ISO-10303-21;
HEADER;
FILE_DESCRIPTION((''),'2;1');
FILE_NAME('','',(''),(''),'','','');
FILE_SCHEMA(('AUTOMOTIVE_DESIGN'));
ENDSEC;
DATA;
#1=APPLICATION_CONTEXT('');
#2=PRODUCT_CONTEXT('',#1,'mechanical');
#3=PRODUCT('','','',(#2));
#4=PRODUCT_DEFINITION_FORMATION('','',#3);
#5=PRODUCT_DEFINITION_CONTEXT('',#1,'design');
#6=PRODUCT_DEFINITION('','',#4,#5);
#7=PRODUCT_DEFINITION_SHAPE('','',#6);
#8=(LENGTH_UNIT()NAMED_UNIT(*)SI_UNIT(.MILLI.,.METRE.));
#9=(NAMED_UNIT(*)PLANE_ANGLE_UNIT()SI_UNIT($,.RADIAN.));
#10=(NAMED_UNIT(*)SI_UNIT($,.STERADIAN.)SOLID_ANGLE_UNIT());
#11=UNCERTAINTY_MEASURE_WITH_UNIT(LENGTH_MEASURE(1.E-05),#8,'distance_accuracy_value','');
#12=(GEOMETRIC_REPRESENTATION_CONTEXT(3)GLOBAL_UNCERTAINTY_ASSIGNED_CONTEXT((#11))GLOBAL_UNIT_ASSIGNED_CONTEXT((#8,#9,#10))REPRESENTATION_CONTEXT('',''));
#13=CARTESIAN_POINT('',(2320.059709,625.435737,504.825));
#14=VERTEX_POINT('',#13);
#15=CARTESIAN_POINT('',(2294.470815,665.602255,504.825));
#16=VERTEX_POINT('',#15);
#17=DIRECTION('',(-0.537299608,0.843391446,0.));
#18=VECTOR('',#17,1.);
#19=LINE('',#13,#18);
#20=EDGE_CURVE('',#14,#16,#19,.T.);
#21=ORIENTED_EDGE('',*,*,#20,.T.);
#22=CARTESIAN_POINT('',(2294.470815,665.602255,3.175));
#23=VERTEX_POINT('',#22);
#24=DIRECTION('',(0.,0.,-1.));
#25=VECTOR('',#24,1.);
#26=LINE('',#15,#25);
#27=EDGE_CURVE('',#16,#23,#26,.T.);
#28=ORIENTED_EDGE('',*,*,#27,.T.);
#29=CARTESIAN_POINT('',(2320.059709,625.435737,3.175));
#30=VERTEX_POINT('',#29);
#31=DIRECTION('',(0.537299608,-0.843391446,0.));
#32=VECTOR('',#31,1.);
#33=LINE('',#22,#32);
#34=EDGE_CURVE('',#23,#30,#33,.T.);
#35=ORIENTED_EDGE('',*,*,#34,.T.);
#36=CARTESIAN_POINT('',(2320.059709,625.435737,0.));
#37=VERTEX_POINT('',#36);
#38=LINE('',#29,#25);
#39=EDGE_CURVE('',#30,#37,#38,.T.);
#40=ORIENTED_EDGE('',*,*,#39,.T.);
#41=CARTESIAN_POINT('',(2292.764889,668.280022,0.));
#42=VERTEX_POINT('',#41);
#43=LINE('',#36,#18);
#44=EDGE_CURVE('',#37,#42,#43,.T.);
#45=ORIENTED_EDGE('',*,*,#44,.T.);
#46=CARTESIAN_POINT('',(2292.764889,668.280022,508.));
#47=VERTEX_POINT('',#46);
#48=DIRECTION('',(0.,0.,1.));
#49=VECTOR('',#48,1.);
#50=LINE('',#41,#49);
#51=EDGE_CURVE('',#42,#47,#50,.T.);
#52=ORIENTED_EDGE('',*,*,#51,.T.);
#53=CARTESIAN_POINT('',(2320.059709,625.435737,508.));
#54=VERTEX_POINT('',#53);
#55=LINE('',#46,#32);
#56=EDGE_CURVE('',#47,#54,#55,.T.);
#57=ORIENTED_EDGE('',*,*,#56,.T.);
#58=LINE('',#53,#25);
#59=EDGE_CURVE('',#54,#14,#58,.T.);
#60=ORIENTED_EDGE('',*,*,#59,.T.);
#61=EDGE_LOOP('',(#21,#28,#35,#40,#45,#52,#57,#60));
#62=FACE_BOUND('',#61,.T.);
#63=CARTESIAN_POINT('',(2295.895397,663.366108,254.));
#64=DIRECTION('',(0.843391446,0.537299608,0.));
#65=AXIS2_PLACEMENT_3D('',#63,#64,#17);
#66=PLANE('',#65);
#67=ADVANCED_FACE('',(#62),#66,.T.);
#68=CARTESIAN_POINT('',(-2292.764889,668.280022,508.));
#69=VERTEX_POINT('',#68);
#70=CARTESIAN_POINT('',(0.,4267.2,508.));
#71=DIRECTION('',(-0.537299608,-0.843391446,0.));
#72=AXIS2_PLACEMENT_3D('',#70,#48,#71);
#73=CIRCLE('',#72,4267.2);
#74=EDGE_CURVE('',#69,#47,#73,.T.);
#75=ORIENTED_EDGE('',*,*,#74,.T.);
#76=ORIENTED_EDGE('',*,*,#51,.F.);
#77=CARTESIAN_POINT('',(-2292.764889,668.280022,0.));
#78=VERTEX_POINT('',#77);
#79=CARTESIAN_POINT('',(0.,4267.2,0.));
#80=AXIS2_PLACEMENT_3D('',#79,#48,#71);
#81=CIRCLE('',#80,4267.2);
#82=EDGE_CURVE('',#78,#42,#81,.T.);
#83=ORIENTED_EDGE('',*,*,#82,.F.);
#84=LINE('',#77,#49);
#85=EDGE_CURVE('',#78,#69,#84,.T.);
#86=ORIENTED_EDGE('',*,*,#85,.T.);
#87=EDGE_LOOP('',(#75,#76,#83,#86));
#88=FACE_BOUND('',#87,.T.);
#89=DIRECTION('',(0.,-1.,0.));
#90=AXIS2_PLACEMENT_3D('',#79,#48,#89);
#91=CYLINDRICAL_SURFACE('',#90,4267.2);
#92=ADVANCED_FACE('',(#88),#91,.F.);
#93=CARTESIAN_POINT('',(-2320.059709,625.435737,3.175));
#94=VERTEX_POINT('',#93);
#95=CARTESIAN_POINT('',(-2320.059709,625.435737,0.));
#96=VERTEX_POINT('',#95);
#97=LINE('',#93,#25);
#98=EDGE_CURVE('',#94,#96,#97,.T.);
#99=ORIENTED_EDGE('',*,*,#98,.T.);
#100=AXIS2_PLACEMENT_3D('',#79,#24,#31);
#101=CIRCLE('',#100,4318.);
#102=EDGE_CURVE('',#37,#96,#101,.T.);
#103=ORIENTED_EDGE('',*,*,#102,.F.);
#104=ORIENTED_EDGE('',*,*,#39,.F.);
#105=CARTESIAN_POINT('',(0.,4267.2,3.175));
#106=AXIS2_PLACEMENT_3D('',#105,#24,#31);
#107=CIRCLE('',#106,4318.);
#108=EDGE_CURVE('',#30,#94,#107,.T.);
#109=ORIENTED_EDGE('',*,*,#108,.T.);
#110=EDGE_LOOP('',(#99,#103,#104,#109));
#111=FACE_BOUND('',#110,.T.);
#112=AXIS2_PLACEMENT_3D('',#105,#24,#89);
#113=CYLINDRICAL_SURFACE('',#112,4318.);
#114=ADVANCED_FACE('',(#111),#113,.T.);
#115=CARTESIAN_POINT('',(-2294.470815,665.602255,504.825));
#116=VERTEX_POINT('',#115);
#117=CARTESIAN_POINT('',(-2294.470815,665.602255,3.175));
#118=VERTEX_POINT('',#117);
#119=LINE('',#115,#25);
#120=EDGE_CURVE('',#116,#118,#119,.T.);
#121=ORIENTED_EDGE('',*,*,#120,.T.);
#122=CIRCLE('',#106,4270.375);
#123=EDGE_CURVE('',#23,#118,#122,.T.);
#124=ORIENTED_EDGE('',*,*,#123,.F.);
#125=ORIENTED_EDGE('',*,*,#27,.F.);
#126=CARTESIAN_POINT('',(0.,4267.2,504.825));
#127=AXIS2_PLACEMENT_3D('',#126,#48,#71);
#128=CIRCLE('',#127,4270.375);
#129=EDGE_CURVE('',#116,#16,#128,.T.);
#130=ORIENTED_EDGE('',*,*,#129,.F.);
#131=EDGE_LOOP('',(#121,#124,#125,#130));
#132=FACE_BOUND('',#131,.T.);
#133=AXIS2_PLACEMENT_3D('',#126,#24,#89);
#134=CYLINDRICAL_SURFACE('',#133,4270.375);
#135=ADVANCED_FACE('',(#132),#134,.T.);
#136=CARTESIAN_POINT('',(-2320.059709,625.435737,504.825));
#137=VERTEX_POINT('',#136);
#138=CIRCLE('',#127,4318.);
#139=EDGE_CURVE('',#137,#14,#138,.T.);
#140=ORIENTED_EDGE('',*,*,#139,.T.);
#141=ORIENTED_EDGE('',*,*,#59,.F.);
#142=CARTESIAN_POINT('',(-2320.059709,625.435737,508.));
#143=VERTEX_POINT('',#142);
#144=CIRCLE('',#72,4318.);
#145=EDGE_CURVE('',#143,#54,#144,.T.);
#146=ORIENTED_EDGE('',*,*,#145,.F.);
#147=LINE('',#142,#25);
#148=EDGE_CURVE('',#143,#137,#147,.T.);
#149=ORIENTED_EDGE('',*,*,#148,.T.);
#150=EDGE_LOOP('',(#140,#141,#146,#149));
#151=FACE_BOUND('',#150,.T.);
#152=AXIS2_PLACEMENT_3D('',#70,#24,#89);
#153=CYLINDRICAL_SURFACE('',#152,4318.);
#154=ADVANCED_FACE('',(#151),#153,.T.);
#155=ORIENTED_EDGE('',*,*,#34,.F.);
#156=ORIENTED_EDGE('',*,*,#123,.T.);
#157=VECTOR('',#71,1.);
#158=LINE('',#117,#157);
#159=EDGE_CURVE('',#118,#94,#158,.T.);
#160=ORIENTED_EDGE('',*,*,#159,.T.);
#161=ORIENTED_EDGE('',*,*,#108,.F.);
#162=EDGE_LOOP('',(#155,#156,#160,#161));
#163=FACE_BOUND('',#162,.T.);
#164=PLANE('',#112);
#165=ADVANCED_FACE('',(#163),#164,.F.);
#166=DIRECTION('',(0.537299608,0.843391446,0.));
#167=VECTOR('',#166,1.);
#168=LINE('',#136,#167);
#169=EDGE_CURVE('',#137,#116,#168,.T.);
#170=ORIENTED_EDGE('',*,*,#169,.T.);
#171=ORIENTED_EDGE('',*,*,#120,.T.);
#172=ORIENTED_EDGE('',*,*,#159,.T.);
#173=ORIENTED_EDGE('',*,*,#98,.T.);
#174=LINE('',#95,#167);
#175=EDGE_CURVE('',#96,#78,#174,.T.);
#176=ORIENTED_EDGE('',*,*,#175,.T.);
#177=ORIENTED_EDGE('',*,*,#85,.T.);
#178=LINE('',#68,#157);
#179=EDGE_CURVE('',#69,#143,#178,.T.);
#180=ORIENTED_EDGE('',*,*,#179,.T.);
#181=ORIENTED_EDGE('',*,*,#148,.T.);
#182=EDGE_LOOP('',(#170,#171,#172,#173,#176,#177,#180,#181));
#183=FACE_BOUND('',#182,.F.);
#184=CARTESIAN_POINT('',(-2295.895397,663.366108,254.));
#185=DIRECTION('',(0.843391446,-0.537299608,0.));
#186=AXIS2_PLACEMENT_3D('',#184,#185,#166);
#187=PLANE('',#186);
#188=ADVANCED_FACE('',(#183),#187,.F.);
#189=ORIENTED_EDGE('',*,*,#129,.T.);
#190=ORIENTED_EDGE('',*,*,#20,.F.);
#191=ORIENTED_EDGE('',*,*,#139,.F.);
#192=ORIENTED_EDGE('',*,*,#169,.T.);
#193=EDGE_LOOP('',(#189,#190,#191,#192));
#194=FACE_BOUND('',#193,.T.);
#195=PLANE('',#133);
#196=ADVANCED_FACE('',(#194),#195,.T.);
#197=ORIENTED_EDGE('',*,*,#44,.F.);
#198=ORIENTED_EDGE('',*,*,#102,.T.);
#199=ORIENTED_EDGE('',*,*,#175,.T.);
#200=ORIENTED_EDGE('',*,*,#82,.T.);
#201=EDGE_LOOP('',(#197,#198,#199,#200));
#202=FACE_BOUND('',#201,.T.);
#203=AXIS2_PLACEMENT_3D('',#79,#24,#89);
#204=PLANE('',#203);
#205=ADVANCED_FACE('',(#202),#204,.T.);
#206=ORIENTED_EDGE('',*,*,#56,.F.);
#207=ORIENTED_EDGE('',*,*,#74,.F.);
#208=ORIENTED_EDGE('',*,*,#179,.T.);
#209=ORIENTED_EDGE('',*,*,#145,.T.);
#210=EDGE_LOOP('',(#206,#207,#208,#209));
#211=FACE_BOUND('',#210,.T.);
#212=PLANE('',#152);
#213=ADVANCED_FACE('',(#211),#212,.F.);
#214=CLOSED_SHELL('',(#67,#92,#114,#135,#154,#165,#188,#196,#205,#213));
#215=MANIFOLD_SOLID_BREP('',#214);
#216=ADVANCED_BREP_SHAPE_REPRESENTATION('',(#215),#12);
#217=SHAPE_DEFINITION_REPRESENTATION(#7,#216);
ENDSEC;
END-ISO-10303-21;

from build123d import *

# Parameters (mm, degrees)
F2_ANGLE = 65


with BuildPart() as f2:
    # F0 (on Right) → F2 (revolve, symmetric)
    with BuildSketch(Plane.YZ) as f2_sk:
        Polygon((-50.8, 0), (0, 0), (0, 508), (-50.8, 508), (-50.8, 504.825), (-3.175, 504.825), (-3.175, 3.175), (-50.8, 3.175), align=None)
    revolve(axis=Axis((0, 4267.2, 5661.746735), (0, 0, 1)), revolution_arc=F2_ANGLE / 2)
    revolve(f2_sk.sketch, axis=Axis((0, 4267.2, 5661.746735), (0, 0, -1)), revolution_arc=F2_ANGLE / 2)


solid = f2.part
